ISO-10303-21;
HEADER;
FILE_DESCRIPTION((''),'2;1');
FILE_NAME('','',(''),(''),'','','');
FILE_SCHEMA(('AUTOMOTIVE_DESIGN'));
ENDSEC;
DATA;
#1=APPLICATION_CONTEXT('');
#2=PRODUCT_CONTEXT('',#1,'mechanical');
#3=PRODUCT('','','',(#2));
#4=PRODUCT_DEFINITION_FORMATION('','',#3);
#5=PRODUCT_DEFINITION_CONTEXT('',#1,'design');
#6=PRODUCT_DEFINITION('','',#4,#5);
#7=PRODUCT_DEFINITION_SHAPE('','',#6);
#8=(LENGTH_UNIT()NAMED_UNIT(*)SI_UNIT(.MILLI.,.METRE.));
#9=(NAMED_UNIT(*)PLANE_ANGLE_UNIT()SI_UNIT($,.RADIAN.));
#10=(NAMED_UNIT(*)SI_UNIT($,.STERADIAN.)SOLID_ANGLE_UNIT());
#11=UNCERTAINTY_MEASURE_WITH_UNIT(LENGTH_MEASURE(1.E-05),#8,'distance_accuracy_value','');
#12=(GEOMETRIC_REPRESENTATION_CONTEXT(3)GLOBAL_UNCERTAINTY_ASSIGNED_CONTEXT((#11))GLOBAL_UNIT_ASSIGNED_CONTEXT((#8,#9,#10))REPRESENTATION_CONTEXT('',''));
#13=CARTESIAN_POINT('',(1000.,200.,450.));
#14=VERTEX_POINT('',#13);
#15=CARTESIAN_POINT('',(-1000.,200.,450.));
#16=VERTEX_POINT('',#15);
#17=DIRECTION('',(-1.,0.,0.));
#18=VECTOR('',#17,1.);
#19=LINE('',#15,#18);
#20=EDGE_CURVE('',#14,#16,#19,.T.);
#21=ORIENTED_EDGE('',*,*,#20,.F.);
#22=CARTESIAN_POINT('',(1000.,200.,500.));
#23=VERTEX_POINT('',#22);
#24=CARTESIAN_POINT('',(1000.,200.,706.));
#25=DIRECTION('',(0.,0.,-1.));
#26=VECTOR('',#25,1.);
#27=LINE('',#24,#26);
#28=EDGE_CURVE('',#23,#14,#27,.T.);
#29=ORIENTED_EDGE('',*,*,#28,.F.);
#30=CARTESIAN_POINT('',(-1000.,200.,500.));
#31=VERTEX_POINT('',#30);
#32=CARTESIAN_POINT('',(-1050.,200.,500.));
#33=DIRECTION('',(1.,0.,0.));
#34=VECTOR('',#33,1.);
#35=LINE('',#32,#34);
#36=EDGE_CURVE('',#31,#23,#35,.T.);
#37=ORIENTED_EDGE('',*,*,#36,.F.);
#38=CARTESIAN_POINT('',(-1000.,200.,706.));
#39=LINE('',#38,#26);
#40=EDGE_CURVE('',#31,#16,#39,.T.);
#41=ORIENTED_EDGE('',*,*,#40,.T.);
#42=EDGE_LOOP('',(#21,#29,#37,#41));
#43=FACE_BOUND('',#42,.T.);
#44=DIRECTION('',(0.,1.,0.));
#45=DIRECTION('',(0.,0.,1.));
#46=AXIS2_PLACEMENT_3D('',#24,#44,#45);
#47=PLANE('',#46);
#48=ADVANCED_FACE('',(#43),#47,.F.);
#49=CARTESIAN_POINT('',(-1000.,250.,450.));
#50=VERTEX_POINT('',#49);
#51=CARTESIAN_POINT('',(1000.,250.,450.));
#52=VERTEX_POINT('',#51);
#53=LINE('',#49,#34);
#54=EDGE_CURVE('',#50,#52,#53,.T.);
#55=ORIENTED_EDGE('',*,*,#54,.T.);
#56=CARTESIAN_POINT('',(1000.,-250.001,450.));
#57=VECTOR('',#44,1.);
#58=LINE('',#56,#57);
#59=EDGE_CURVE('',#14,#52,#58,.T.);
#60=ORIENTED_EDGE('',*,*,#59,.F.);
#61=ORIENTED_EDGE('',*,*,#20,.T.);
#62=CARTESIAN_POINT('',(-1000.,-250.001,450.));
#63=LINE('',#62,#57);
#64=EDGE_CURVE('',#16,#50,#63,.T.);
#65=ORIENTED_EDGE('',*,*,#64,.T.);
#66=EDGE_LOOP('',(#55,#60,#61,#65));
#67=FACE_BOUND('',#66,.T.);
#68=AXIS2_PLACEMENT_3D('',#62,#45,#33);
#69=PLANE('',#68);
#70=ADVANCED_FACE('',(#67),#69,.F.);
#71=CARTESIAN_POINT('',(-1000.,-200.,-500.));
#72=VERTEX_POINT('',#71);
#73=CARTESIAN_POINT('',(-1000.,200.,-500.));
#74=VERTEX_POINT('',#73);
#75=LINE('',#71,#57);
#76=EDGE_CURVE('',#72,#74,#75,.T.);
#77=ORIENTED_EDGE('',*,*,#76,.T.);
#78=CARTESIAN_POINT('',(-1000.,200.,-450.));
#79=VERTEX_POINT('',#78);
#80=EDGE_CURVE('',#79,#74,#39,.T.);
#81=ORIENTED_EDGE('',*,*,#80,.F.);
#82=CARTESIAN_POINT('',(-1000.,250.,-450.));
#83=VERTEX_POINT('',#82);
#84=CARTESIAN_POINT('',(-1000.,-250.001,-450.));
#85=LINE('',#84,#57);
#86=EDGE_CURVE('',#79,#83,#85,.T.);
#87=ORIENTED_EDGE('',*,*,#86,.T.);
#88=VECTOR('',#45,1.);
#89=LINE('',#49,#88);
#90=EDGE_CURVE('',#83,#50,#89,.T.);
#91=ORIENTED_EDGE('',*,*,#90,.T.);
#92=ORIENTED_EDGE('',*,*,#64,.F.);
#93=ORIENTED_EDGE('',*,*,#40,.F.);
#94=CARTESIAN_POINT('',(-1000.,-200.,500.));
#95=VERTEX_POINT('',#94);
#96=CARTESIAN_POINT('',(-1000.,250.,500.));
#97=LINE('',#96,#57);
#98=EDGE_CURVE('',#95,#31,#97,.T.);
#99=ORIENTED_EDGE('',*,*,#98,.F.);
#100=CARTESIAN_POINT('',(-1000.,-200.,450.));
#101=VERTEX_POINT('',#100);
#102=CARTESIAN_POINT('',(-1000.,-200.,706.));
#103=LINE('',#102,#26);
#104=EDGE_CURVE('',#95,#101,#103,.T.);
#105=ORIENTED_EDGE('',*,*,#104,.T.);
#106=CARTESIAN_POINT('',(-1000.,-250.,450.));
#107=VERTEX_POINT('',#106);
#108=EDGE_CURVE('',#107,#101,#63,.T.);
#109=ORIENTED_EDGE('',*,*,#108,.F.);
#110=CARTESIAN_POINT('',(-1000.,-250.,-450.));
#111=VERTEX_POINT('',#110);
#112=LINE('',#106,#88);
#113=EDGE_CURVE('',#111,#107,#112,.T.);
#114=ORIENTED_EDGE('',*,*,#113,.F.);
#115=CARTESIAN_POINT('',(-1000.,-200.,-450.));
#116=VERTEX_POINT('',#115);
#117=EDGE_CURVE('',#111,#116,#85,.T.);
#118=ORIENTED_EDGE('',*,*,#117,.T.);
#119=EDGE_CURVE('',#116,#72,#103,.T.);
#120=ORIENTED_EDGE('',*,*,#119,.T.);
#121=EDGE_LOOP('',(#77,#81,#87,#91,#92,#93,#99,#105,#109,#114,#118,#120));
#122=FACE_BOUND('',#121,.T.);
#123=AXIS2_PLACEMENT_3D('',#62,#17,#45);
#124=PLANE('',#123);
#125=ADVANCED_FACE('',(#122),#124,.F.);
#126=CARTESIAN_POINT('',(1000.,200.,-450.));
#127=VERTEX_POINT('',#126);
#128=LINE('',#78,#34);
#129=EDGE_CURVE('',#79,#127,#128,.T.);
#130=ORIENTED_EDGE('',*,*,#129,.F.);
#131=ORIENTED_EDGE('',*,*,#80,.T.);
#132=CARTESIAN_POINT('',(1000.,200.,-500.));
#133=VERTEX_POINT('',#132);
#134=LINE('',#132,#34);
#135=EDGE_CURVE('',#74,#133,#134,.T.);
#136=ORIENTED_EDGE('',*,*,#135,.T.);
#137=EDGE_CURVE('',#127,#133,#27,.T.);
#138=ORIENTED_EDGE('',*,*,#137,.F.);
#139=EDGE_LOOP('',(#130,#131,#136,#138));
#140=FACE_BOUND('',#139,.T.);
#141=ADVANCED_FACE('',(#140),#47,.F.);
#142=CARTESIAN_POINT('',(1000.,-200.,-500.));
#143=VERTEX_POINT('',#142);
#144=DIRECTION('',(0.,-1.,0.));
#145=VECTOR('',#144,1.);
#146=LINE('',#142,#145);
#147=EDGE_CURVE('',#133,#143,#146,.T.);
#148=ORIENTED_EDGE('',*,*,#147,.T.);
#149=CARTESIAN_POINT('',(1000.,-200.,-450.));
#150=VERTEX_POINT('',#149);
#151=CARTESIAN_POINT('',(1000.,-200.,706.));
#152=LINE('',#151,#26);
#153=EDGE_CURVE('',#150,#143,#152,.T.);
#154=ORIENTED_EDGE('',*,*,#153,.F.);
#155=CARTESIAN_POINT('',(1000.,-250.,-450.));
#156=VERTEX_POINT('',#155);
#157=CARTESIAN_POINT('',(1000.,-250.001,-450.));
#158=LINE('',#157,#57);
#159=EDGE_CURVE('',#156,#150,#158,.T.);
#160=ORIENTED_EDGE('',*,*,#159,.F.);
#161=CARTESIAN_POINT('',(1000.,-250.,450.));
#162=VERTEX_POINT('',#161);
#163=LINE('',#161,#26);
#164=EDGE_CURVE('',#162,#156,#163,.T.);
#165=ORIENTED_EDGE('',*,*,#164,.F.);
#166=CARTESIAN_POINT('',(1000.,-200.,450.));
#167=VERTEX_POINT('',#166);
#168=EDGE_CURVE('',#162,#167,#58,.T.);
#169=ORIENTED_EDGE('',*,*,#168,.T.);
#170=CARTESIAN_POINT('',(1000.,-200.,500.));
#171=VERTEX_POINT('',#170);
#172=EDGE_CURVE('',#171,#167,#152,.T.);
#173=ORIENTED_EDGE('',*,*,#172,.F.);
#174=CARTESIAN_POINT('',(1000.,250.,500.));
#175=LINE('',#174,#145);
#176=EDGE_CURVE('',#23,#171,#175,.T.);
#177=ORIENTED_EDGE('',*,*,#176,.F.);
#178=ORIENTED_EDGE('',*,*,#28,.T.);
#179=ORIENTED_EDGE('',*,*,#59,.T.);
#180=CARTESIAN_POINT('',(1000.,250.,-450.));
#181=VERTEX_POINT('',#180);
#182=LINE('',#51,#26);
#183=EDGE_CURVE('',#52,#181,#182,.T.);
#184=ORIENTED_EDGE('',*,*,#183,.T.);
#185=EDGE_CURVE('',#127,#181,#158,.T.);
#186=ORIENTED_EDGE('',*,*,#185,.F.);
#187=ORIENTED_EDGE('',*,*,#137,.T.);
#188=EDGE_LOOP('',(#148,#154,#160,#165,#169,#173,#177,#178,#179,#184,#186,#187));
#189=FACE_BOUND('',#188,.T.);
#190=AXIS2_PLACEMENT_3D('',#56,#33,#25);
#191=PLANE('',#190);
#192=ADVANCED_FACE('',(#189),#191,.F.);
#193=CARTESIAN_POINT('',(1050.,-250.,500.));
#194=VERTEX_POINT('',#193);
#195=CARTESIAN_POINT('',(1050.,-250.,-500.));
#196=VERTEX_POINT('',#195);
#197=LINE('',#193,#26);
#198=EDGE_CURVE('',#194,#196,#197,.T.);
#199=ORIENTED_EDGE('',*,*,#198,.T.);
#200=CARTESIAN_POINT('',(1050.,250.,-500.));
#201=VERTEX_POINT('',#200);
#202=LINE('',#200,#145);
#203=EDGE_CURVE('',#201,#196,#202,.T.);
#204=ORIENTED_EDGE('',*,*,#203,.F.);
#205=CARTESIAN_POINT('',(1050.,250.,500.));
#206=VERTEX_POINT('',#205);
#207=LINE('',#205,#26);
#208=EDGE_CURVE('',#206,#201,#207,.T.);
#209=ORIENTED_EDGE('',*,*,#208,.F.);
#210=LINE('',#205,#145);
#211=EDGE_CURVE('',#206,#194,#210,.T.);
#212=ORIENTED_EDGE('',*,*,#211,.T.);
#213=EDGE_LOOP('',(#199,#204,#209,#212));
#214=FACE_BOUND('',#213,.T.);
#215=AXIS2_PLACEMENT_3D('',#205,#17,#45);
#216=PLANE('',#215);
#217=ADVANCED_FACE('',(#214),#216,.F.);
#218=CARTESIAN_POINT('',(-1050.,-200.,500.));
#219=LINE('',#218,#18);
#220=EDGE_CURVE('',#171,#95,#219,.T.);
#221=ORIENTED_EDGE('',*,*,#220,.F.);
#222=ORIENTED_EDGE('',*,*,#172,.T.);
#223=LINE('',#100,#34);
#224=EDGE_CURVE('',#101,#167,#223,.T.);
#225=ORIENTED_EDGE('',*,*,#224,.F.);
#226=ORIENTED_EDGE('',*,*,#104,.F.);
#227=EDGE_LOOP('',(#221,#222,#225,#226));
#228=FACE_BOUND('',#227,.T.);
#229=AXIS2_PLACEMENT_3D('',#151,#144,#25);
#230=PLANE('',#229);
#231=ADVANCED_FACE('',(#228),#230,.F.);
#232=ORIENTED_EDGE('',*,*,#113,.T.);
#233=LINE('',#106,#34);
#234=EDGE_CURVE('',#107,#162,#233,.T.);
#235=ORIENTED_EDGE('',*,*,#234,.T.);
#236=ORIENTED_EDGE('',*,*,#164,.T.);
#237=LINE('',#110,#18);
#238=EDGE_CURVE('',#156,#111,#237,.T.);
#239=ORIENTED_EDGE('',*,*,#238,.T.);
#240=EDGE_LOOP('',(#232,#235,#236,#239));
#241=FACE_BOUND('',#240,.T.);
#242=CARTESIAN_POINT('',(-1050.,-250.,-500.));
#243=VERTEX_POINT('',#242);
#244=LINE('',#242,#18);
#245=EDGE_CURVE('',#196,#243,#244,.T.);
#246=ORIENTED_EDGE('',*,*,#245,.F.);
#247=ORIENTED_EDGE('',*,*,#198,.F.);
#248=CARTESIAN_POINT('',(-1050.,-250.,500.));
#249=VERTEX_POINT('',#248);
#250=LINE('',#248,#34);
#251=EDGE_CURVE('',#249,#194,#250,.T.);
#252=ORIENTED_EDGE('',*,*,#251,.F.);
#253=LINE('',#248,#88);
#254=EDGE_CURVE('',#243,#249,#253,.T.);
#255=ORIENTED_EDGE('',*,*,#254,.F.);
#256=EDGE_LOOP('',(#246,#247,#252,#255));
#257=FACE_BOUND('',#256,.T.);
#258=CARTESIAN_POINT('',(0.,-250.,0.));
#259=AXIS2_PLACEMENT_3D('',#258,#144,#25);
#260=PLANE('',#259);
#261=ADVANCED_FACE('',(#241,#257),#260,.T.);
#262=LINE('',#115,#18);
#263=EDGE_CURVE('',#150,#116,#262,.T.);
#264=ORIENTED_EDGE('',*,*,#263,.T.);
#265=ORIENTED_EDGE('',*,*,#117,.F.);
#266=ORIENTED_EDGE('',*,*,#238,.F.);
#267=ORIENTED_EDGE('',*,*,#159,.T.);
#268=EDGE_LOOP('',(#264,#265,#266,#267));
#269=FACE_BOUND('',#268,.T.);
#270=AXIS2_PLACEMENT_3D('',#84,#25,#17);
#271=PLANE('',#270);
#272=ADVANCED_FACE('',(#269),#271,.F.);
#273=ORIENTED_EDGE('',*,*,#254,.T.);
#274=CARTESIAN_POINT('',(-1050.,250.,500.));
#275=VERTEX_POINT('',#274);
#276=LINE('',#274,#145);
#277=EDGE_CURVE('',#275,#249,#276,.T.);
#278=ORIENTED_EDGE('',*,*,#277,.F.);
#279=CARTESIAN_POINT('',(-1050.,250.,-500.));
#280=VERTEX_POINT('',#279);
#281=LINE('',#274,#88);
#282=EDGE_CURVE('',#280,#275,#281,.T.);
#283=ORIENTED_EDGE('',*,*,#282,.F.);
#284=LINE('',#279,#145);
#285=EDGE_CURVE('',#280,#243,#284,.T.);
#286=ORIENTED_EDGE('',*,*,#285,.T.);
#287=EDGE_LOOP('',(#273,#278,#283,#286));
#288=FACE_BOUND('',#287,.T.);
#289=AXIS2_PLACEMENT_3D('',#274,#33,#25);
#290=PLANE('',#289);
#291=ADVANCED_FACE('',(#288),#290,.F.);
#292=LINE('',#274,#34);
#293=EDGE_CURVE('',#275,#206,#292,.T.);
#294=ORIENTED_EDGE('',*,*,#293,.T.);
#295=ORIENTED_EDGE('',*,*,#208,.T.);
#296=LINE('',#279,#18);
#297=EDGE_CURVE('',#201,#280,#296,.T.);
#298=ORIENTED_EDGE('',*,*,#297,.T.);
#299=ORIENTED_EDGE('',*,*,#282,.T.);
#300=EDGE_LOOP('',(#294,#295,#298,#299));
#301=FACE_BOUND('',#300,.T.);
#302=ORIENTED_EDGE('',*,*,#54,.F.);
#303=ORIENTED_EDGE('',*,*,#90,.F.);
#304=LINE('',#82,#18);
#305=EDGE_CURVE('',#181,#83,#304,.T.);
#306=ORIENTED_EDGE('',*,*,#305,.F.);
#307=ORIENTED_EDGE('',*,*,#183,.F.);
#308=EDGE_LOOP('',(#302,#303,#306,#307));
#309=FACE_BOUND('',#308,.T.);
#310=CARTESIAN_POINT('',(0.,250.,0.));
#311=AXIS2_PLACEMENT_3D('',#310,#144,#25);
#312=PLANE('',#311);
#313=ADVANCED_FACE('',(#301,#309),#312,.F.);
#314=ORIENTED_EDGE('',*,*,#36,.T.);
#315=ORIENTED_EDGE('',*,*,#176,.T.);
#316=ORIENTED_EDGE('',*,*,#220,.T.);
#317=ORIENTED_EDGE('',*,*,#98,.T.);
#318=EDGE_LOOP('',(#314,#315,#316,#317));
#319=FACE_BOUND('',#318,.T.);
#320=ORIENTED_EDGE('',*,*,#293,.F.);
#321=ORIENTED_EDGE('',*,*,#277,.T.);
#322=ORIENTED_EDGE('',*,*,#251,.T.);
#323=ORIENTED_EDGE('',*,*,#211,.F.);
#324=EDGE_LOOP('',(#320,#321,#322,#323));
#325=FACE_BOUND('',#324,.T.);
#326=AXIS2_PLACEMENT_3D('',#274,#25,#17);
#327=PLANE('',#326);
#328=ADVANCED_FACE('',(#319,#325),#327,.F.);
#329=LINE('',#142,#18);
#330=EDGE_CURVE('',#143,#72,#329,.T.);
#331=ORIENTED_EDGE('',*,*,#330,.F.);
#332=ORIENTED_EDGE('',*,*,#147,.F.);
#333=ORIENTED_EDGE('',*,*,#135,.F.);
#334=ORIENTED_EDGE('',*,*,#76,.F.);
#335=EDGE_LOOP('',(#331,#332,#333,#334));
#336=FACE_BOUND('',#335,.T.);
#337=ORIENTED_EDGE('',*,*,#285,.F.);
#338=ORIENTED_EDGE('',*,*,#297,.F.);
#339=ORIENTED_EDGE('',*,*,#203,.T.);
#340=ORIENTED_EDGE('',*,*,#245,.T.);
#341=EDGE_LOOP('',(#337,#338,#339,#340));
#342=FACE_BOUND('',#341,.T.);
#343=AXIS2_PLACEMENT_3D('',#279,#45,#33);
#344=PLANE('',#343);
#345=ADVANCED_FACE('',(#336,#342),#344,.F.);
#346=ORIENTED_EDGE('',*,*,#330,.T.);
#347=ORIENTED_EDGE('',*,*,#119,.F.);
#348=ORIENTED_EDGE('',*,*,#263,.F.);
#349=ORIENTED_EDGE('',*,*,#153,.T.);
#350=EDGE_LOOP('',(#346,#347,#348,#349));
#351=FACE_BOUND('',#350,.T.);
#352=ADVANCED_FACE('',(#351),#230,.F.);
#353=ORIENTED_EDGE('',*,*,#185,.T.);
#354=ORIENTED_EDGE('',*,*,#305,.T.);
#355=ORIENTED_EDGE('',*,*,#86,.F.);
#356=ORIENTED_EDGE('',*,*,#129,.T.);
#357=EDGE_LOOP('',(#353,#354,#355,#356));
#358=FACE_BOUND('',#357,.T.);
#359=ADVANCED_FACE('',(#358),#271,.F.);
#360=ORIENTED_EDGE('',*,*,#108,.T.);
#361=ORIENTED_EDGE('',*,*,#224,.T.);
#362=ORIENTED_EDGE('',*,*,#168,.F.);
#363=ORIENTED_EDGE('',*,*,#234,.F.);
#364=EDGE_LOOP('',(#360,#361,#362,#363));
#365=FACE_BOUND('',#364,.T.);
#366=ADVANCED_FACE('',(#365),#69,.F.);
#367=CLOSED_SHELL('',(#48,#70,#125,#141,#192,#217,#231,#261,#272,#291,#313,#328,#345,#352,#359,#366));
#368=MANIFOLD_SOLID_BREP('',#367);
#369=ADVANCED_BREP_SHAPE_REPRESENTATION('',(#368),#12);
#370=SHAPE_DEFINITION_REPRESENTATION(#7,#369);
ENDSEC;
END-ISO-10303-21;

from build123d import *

# Parameters (mm, degrees)
SKETCH1_W           = 2100
SKETCH1_H           = 1000
BOSS_EXTRUDE1_DEPTH = 250
CUT_EXTRUDE1_REACH  = 502
SKETCH2_W           = 2000
SKETCH2_H           = 900
SKETCH3_W           = 2000
SKETCH3_H           = 400
CUT_EXTRUDE2_DEPTH  = 1206


with BuildPart() as part:
    # Sketch1 → Boss-Extrude1 (new body, symmetric)
    with BuildSketch(Plane(origin=(0, 0, 0), x_dir=(1, 0, 0), z_dir=(0, 1, 0))):
        Rectangle(SKETCH1_W, SKETCH1_H)
    extrude(amount=BOSS_EXTRUDE1_DEPTH, both=True)

    # Sketch2 → Cut-Extrude1 (cut, up to next)
    with BuildSketch(Plane(origin=(0, 250, 0), x_dir=(1, 0, 0), z_dir=(0, 1, 0)), mode=Mode.PRIVATE) as cut_extrude1_sk1:
        Rectangle(SKETCH2_W, SKETCH2_H)
    cut_extrude1_tool1 = extrude(cut_extrude1_sk1.sketch, amount=-CUT_EXTRUDE1_REACH, mode=Mode.PRIVATE) & part.part
    add(cut_extrude1_tool1.solids().sort_by_distance((0, 250, 0))[0], mode=Mode.SUBTRACT)

    # Sketch3 → Cut-Extrude2 (cut)
    with BuildSketch(Plane(origin=(0, 0, -500), x_dir=(-1, 0, 0), z_dir=(0, 0, -1))):
        Rectangle(SKETCH3_W, SKETCH3_H)
    extrude(amount=-CUT_EXTRUDE2_DEPTH, mode=Mode.SUBTRACT)


solid = part.part
